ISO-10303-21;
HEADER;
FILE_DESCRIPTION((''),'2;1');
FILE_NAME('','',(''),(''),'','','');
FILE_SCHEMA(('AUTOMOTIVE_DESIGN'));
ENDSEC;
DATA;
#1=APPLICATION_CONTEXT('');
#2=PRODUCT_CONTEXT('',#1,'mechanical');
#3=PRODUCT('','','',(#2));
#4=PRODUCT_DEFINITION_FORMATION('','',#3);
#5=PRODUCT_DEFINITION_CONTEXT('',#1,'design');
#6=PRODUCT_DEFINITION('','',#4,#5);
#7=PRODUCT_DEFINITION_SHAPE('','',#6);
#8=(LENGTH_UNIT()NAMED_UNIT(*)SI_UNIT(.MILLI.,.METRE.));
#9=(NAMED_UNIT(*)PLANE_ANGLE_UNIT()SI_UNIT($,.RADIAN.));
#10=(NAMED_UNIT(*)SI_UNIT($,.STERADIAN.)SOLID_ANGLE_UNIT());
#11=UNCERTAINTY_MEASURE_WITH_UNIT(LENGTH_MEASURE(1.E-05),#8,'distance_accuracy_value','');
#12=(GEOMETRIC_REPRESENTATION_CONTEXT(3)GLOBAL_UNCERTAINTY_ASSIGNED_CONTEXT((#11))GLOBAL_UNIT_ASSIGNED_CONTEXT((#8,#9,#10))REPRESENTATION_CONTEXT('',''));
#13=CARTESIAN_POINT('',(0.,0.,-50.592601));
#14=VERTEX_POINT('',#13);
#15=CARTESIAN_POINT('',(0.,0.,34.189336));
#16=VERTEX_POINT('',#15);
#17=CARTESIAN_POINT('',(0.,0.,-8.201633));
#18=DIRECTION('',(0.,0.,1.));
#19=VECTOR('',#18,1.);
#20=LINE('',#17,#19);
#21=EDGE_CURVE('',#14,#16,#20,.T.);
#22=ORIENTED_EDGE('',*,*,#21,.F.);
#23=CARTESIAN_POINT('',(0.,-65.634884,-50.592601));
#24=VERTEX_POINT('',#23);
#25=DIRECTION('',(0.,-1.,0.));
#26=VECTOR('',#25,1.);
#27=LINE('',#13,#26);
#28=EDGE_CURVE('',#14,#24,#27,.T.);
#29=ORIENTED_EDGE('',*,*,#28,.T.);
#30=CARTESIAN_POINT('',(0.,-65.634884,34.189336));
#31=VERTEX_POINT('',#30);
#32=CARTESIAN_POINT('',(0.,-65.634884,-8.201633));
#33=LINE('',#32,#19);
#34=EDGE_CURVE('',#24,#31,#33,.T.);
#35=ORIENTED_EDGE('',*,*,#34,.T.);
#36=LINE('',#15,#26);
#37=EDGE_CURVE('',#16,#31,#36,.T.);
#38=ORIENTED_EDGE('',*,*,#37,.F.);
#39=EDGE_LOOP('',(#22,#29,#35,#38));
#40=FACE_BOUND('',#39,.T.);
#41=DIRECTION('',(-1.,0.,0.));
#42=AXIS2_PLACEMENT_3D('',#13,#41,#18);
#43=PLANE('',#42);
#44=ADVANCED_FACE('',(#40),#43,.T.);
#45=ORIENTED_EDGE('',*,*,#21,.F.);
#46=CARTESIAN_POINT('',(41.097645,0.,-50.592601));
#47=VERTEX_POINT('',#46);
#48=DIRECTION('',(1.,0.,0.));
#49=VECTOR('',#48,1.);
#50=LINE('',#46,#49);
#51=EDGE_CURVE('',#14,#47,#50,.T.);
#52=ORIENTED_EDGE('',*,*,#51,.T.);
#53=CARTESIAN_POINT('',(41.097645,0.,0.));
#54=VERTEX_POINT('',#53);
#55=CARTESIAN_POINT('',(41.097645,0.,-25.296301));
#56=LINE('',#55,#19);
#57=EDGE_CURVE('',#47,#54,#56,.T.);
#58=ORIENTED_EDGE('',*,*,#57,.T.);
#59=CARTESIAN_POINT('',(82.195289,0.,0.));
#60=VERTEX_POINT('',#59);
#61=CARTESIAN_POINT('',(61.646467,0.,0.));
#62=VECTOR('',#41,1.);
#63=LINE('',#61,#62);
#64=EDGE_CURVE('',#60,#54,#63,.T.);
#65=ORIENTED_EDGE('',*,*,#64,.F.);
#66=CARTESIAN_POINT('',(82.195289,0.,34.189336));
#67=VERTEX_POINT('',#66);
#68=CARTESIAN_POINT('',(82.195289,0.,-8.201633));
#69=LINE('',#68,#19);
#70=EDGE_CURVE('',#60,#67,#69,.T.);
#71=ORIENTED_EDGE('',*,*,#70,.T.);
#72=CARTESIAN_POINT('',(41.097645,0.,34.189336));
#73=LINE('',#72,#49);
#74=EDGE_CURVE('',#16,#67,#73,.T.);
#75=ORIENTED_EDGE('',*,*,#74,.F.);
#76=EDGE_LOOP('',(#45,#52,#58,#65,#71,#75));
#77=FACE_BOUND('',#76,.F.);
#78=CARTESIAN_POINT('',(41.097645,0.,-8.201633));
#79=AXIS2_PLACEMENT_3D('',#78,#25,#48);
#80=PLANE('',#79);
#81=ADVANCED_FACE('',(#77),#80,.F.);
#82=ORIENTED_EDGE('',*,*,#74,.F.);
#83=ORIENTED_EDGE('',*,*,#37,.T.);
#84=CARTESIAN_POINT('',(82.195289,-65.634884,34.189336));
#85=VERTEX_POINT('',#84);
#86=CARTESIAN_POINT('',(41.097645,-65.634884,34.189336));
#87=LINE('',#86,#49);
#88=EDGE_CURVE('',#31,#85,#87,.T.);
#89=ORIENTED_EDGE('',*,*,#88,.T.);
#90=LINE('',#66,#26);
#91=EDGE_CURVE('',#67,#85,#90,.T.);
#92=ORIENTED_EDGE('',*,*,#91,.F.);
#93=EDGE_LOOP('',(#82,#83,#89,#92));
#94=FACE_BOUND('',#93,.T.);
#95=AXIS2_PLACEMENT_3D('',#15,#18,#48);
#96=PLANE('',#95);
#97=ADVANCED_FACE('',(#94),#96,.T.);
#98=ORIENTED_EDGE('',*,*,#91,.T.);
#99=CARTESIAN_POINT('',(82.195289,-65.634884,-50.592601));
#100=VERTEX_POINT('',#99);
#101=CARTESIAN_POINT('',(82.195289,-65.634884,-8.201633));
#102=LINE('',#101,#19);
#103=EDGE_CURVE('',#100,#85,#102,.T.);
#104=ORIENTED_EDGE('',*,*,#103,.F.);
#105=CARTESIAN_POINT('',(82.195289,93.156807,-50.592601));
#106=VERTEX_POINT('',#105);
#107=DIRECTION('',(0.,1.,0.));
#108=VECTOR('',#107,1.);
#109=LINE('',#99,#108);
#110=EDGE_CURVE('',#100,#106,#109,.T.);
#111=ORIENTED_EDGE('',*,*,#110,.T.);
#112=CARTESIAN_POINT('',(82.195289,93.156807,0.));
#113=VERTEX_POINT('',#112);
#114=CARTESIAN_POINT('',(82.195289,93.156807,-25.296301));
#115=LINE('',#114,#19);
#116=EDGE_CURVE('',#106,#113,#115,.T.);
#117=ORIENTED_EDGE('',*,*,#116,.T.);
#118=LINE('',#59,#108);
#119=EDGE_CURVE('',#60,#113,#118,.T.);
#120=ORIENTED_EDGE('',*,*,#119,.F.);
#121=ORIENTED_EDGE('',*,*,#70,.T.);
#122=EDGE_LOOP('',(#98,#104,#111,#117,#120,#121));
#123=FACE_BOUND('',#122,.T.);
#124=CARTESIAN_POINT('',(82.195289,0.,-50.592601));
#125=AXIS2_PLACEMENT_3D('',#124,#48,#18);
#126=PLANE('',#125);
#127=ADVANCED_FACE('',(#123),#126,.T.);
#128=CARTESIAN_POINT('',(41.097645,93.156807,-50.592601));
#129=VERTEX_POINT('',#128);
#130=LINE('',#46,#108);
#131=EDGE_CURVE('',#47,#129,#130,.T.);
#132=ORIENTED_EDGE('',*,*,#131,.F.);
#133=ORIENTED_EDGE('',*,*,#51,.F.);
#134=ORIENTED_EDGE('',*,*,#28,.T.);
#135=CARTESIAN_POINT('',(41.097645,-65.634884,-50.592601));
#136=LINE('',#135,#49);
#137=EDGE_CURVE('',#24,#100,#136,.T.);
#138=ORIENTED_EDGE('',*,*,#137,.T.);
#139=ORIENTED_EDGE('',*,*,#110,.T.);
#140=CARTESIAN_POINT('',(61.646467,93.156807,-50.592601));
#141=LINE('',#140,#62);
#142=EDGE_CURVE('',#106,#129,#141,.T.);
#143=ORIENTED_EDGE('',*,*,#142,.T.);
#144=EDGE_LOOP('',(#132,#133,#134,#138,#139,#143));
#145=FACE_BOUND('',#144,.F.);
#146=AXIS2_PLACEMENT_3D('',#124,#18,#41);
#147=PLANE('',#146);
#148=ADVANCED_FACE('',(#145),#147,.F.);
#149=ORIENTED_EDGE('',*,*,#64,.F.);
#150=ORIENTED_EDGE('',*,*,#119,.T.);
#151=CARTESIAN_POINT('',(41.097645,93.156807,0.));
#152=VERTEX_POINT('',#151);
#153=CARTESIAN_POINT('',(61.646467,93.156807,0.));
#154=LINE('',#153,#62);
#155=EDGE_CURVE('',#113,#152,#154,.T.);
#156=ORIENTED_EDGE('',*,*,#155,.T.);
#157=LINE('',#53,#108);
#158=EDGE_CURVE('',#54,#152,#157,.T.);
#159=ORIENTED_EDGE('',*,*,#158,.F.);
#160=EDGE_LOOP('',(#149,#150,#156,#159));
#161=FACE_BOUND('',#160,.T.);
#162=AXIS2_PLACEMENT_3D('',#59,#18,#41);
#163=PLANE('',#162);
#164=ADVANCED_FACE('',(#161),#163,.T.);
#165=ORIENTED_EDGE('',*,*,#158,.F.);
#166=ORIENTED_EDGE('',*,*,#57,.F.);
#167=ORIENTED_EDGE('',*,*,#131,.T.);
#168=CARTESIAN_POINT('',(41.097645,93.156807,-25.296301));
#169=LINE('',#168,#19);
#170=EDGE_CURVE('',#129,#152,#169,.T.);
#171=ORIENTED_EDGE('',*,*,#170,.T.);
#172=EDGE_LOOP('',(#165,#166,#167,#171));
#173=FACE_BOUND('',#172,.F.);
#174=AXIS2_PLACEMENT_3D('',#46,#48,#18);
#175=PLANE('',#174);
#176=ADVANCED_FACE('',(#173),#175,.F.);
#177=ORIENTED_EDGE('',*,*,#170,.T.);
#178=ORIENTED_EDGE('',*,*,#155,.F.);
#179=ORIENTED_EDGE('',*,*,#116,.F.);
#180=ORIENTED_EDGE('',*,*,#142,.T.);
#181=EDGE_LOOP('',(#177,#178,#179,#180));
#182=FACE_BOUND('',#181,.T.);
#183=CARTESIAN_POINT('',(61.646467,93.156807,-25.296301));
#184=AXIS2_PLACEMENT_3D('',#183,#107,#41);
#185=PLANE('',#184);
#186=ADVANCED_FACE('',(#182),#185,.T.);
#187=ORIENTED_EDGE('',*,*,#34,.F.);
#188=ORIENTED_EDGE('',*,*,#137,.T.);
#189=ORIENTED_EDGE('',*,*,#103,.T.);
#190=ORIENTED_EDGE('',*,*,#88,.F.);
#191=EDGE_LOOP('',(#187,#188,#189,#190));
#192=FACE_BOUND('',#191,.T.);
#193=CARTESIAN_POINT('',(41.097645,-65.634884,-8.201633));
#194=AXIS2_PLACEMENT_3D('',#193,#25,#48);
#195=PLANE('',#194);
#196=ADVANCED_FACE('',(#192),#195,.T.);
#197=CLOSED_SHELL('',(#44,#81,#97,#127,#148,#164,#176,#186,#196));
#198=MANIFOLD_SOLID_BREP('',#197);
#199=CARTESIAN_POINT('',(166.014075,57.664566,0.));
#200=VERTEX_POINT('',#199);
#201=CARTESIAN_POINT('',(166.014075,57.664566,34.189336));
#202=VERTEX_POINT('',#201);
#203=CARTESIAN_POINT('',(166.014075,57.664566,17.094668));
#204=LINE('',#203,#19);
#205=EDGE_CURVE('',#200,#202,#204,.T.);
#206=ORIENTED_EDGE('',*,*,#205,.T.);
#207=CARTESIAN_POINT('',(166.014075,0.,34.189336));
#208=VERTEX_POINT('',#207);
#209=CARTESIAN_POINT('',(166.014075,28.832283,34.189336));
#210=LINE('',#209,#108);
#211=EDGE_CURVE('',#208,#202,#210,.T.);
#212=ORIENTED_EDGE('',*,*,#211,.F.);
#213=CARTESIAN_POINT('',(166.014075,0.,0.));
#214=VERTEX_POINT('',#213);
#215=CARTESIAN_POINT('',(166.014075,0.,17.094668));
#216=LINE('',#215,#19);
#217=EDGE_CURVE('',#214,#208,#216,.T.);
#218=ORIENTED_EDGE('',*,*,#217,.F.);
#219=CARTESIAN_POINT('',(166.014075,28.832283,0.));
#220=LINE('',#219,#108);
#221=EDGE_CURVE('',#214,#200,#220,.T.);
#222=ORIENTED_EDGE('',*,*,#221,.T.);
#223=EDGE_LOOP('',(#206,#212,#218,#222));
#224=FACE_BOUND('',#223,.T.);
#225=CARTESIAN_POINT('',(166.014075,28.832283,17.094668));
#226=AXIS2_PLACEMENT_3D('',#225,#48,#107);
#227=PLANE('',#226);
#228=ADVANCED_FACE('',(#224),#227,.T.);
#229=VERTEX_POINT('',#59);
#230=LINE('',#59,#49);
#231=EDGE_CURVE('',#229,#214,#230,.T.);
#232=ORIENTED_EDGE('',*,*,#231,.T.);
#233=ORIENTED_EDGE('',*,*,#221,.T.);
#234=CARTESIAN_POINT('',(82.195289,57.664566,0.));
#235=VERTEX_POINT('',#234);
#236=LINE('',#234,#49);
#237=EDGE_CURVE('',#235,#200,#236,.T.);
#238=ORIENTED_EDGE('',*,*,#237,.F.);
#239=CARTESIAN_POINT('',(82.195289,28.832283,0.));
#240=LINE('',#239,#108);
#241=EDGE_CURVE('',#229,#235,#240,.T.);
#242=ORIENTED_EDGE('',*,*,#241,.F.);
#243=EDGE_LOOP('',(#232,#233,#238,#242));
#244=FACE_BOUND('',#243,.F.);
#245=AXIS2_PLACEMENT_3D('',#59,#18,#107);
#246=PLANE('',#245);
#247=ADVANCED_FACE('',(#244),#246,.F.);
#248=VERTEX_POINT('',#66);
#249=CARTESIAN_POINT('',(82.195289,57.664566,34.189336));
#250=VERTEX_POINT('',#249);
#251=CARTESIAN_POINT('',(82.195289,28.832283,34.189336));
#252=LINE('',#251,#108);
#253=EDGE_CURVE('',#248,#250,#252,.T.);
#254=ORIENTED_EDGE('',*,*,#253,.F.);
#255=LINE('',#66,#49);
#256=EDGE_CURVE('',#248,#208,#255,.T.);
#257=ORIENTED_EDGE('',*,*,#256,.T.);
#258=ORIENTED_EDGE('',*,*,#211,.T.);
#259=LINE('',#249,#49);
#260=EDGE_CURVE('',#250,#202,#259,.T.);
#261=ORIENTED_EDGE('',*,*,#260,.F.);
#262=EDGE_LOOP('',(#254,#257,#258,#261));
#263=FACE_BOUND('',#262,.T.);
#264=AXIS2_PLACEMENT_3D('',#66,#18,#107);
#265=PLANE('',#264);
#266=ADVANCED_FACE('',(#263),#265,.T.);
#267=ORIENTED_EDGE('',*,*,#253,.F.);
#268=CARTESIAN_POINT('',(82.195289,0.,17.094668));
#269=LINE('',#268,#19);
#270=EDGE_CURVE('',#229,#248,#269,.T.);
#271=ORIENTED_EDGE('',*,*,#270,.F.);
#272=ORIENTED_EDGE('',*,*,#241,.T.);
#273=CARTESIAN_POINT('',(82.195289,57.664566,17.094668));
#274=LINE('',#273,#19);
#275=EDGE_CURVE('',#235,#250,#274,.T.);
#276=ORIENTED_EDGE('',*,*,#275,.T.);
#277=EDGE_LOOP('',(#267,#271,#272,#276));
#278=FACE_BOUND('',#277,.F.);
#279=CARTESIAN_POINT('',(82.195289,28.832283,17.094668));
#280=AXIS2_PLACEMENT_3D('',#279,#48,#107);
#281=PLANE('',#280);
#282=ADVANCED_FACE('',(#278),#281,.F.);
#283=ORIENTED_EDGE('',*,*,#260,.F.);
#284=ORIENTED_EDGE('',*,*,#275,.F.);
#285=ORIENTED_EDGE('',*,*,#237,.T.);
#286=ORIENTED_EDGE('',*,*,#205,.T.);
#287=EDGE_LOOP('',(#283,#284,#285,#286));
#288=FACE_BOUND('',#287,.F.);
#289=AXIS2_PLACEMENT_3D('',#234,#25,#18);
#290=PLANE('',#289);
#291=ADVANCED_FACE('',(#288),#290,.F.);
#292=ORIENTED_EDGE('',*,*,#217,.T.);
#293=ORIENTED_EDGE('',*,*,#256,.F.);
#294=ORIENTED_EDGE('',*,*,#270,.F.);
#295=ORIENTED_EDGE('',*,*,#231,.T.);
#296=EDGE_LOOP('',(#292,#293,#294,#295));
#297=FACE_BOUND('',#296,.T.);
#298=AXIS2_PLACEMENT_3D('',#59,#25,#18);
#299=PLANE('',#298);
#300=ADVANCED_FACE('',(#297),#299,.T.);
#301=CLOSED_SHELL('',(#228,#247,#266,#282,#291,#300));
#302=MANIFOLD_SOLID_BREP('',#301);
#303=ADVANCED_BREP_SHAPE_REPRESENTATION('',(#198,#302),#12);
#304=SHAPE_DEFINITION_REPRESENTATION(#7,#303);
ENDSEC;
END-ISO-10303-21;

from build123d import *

# Parameters (mm, degrees)
F0_W     = 82.195289433
F0_H     = 84.7819373012
F1_DEPTH = 65.6348839402
F2_W     = 41.0976447165
F2_H     = 50.5926012993
F3_DEPTH = 93.1568071246
F4_W     = 57.664565742
F4_H     = 34.1893360019
F5_DEPTH = 83.8187858462


with BuildPart() as f1:
    # F0 (on Front) → F1 (new body)
    with BuildSketch(Plane.XZ):
        with Locations((41.0976447165, -8.2016326487)):
            Rectangle(F0_W, F0_H)
    extrude(amount=F1_DEPTH)

    # F2 (on face) → F3 (join)
    with BuildSketch(Plane(origin=(0, 0, 0), x_dir=(-1, 0, 0), z_dir=(0, 1, 0))):
        with Locations((-61.6464670748, -25.2963006496)):
            Rectangle(F2_W, F2_H)
    extrude(amount=F3_DEPTH)


with BuildPart() as f5:
    # F4 (on face) → F5 (new body)
    with BuildSketch(Plane.YZ.offset(82.195289433)):
        with Locations((28.832282871, 17.0946680009)):
            Rectangle(F4_W, F4_H)
    extrude(amount=F5_DEPTH)


solid = Compound([f1.part, f5.part])
